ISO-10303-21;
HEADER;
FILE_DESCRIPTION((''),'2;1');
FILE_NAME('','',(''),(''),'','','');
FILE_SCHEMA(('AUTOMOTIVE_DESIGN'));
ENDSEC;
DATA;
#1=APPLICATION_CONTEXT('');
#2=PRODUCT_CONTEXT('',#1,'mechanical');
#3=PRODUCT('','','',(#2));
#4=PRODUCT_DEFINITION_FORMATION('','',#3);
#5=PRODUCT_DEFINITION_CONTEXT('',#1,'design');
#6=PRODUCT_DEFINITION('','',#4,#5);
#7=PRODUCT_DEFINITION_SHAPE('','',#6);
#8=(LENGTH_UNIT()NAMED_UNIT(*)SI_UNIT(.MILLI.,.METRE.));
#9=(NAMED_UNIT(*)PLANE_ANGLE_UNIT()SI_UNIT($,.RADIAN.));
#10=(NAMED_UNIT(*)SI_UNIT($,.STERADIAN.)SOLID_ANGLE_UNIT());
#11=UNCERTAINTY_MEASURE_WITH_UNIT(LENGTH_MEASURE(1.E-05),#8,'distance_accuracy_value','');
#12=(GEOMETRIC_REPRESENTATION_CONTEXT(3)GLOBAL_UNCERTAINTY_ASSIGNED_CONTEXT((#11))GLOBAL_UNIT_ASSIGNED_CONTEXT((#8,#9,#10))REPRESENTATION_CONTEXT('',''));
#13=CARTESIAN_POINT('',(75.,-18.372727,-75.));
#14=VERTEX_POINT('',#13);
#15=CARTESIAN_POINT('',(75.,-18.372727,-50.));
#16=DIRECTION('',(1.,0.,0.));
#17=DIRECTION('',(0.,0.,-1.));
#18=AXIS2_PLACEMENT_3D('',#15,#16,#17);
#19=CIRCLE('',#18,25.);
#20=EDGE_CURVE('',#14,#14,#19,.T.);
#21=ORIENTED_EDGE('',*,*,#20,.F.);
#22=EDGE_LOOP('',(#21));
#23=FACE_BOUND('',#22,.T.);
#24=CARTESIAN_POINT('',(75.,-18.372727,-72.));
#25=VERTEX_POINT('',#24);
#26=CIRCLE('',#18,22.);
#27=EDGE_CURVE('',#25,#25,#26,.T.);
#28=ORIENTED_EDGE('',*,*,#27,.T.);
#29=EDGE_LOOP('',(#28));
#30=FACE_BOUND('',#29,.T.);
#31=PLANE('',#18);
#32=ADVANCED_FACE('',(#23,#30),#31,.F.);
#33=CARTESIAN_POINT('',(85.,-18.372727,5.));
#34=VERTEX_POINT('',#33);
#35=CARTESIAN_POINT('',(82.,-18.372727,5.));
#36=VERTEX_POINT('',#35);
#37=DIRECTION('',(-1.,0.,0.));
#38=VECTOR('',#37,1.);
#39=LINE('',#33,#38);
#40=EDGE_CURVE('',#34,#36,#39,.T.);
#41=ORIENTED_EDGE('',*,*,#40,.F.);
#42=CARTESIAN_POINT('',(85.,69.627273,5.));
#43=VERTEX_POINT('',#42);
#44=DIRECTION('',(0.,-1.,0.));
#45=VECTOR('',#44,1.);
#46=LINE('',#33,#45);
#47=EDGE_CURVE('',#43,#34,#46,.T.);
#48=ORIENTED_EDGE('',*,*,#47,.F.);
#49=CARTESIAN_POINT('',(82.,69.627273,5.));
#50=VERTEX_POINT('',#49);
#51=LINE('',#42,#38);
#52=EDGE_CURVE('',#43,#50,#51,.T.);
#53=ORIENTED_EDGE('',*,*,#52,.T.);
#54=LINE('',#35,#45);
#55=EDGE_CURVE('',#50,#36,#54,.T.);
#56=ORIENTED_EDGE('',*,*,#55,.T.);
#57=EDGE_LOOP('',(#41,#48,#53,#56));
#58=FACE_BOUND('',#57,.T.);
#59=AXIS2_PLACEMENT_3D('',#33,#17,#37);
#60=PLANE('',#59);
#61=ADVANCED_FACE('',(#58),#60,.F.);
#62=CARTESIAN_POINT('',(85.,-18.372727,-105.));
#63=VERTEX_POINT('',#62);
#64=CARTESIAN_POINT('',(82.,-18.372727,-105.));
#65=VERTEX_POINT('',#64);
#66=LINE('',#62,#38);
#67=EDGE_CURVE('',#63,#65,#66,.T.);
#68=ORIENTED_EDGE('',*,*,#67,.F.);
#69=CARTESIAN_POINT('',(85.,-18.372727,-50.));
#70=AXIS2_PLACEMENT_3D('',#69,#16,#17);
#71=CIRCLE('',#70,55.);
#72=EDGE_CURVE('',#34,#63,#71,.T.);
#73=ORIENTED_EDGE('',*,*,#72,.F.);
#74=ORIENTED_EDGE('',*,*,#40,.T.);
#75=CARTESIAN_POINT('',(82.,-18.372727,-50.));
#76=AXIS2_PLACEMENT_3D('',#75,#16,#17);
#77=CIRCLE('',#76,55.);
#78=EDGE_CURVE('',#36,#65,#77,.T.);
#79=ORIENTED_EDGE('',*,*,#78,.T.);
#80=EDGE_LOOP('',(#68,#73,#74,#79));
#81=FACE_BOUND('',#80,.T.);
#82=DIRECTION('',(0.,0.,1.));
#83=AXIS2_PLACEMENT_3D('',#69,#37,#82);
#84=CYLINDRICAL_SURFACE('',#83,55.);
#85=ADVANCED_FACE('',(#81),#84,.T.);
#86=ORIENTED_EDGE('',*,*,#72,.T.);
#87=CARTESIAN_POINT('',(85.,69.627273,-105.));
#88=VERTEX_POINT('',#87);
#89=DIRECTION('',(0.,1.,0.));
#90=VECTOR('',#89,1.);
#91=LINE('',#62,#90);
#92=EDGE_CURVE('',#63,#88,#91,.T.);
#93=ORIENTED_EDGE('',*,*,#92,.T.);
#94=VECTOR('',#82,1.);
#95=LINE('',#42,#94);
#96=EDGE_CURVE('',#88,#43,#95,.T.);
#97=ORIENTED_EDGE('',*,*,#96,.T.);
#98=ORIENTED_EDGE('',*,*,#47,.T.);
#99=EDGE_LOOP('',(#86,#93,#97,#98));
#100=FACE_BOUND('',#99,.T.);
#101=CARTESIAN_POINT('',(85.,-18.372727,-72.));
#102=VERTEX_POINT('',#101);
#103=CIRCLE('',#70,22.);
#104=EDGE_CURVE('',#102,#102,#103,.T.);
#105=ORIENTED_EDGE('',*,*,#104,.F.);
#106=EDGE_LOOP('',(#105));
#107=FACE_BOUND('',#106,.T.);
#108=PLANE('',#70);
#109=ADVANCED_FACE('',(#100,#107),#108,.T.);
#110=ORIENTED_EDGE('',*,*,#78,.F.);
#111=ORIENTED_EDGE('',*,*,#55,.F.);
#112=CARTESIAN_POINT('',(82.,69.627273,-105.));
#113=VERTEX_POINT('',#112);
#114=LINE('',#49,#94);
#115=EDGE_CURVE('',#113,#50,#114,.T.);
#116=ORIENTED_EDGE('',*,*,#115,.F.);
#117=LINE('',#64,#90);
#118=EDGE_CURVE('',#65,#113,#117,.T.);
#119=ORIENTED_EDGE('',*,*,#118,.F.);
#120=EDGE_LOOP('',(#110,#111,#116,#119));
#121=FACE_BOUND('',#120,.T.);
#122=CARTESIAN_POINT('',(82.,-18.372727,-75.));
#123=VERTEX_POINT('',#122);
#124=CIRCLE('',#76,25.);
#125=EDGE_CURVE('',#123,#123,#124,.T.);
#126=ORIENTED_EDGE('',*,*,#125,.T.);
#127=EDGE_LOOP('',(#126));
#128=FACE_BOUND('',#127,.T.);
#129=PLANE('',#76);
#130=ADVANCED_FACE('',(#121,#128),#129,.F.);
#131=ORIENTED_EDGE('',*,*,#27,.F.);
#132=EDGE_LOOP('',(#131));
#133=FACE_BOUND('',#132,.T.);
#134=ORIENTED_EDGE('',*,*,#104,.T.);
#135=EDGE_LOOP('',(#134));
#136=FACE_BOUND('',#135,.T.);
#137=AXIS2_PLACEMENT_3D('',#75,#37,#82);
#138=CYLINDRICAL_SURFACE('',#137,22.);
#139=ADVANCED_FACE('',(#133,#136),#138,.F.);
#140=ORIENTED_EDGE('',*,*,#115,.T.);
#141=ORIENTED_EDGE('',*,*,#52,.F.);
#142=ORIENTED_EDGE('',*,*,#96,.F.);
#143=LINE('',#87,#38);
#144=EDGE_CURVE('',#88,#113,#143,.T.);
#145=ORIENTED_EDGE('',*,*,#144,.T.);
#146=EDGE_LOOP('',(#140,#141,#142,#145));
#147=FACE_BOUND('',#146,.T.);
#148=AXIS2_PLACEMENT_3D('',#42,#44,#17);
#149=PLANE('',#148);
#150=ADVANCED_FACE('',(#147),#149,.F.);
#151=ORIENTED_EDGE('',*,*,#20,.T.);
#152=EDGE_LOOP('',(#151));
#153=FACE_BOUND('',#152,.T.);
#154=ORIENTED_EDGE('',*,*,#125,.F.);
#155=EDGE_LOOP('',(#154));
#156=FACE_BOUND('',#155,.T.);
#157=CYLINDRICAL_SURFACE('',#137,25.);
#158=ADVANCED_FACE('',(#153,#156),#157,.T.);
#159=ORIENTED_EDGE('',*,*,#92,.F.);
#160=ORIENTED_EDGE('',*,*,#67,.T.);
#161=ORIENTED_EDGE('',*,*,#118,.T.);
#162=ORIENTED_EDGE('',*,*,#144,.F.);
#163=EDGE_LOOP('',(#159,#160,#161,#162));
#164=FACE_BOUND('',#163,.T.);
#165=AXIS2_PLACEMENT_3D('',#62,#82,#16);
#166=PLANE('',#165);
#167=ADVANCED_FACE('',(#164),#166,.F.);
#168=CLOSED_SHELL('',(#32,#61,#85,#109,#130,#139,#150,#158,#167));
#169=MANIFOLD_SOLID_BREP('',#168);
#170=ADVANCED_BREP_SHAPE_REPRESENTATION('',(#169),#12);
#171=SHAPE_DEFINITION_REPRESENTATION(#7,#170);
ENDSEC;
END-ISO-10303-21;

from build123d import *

# Parameters (mm, degrees)
BEARING_START             = 1
SKETCH1_R                 = 25
SKETCH1_R_2               = 22
BEARING_RING_INSERT_DEPTH = 7
SKETCH2_R                 = 22
BULK_EXTRUDE_DEPTH        = 3


with BuildPart() as part:
    # Sketch1 → BEARING RING INSERT (new body)
    with BuildSketch(Plane(origin=(74, 0, 0), x_dir=(0, 0, -1), z_dir=(1, 0, 0)).offset(BEARING_START)):
        with Locations((50, -18.372727273)):
            Circle(SKETCH1_R)
        with Locations((50, -18.372727273)):
            Circle(SKETCH1_R_2, mode=Mode.SUBTRACT)
    extrude(amount=BEARING_RING_INSERT_DEPTH)

    # Sketch2 → BULK EXTRUDE (add)
    with BuildSketch(Plane(origin=(82, 0, 0), x_dir=(0, 0, -1), z_dir=(1, 0, 0))):
        with BuildLine():
            Line((105, -18.372727273), (105, 69.627272727))
            Line((105, 69.627272727), (-5, 69.627272727))
            Line((-5, 69.627272727), (-5, -18.372727273))
            ThreePointArc((-5, -18.372727273), (50, -73.372727273), (105, -18.372727273))
        make_face()
        with Locations((50, -18.372727273)):
            Circle(SKETCH2_R, mode=Mode.SUBTRACT)
    extrude(amount=BULK_EXTRUDE_DEPTH)


solid = part.part
